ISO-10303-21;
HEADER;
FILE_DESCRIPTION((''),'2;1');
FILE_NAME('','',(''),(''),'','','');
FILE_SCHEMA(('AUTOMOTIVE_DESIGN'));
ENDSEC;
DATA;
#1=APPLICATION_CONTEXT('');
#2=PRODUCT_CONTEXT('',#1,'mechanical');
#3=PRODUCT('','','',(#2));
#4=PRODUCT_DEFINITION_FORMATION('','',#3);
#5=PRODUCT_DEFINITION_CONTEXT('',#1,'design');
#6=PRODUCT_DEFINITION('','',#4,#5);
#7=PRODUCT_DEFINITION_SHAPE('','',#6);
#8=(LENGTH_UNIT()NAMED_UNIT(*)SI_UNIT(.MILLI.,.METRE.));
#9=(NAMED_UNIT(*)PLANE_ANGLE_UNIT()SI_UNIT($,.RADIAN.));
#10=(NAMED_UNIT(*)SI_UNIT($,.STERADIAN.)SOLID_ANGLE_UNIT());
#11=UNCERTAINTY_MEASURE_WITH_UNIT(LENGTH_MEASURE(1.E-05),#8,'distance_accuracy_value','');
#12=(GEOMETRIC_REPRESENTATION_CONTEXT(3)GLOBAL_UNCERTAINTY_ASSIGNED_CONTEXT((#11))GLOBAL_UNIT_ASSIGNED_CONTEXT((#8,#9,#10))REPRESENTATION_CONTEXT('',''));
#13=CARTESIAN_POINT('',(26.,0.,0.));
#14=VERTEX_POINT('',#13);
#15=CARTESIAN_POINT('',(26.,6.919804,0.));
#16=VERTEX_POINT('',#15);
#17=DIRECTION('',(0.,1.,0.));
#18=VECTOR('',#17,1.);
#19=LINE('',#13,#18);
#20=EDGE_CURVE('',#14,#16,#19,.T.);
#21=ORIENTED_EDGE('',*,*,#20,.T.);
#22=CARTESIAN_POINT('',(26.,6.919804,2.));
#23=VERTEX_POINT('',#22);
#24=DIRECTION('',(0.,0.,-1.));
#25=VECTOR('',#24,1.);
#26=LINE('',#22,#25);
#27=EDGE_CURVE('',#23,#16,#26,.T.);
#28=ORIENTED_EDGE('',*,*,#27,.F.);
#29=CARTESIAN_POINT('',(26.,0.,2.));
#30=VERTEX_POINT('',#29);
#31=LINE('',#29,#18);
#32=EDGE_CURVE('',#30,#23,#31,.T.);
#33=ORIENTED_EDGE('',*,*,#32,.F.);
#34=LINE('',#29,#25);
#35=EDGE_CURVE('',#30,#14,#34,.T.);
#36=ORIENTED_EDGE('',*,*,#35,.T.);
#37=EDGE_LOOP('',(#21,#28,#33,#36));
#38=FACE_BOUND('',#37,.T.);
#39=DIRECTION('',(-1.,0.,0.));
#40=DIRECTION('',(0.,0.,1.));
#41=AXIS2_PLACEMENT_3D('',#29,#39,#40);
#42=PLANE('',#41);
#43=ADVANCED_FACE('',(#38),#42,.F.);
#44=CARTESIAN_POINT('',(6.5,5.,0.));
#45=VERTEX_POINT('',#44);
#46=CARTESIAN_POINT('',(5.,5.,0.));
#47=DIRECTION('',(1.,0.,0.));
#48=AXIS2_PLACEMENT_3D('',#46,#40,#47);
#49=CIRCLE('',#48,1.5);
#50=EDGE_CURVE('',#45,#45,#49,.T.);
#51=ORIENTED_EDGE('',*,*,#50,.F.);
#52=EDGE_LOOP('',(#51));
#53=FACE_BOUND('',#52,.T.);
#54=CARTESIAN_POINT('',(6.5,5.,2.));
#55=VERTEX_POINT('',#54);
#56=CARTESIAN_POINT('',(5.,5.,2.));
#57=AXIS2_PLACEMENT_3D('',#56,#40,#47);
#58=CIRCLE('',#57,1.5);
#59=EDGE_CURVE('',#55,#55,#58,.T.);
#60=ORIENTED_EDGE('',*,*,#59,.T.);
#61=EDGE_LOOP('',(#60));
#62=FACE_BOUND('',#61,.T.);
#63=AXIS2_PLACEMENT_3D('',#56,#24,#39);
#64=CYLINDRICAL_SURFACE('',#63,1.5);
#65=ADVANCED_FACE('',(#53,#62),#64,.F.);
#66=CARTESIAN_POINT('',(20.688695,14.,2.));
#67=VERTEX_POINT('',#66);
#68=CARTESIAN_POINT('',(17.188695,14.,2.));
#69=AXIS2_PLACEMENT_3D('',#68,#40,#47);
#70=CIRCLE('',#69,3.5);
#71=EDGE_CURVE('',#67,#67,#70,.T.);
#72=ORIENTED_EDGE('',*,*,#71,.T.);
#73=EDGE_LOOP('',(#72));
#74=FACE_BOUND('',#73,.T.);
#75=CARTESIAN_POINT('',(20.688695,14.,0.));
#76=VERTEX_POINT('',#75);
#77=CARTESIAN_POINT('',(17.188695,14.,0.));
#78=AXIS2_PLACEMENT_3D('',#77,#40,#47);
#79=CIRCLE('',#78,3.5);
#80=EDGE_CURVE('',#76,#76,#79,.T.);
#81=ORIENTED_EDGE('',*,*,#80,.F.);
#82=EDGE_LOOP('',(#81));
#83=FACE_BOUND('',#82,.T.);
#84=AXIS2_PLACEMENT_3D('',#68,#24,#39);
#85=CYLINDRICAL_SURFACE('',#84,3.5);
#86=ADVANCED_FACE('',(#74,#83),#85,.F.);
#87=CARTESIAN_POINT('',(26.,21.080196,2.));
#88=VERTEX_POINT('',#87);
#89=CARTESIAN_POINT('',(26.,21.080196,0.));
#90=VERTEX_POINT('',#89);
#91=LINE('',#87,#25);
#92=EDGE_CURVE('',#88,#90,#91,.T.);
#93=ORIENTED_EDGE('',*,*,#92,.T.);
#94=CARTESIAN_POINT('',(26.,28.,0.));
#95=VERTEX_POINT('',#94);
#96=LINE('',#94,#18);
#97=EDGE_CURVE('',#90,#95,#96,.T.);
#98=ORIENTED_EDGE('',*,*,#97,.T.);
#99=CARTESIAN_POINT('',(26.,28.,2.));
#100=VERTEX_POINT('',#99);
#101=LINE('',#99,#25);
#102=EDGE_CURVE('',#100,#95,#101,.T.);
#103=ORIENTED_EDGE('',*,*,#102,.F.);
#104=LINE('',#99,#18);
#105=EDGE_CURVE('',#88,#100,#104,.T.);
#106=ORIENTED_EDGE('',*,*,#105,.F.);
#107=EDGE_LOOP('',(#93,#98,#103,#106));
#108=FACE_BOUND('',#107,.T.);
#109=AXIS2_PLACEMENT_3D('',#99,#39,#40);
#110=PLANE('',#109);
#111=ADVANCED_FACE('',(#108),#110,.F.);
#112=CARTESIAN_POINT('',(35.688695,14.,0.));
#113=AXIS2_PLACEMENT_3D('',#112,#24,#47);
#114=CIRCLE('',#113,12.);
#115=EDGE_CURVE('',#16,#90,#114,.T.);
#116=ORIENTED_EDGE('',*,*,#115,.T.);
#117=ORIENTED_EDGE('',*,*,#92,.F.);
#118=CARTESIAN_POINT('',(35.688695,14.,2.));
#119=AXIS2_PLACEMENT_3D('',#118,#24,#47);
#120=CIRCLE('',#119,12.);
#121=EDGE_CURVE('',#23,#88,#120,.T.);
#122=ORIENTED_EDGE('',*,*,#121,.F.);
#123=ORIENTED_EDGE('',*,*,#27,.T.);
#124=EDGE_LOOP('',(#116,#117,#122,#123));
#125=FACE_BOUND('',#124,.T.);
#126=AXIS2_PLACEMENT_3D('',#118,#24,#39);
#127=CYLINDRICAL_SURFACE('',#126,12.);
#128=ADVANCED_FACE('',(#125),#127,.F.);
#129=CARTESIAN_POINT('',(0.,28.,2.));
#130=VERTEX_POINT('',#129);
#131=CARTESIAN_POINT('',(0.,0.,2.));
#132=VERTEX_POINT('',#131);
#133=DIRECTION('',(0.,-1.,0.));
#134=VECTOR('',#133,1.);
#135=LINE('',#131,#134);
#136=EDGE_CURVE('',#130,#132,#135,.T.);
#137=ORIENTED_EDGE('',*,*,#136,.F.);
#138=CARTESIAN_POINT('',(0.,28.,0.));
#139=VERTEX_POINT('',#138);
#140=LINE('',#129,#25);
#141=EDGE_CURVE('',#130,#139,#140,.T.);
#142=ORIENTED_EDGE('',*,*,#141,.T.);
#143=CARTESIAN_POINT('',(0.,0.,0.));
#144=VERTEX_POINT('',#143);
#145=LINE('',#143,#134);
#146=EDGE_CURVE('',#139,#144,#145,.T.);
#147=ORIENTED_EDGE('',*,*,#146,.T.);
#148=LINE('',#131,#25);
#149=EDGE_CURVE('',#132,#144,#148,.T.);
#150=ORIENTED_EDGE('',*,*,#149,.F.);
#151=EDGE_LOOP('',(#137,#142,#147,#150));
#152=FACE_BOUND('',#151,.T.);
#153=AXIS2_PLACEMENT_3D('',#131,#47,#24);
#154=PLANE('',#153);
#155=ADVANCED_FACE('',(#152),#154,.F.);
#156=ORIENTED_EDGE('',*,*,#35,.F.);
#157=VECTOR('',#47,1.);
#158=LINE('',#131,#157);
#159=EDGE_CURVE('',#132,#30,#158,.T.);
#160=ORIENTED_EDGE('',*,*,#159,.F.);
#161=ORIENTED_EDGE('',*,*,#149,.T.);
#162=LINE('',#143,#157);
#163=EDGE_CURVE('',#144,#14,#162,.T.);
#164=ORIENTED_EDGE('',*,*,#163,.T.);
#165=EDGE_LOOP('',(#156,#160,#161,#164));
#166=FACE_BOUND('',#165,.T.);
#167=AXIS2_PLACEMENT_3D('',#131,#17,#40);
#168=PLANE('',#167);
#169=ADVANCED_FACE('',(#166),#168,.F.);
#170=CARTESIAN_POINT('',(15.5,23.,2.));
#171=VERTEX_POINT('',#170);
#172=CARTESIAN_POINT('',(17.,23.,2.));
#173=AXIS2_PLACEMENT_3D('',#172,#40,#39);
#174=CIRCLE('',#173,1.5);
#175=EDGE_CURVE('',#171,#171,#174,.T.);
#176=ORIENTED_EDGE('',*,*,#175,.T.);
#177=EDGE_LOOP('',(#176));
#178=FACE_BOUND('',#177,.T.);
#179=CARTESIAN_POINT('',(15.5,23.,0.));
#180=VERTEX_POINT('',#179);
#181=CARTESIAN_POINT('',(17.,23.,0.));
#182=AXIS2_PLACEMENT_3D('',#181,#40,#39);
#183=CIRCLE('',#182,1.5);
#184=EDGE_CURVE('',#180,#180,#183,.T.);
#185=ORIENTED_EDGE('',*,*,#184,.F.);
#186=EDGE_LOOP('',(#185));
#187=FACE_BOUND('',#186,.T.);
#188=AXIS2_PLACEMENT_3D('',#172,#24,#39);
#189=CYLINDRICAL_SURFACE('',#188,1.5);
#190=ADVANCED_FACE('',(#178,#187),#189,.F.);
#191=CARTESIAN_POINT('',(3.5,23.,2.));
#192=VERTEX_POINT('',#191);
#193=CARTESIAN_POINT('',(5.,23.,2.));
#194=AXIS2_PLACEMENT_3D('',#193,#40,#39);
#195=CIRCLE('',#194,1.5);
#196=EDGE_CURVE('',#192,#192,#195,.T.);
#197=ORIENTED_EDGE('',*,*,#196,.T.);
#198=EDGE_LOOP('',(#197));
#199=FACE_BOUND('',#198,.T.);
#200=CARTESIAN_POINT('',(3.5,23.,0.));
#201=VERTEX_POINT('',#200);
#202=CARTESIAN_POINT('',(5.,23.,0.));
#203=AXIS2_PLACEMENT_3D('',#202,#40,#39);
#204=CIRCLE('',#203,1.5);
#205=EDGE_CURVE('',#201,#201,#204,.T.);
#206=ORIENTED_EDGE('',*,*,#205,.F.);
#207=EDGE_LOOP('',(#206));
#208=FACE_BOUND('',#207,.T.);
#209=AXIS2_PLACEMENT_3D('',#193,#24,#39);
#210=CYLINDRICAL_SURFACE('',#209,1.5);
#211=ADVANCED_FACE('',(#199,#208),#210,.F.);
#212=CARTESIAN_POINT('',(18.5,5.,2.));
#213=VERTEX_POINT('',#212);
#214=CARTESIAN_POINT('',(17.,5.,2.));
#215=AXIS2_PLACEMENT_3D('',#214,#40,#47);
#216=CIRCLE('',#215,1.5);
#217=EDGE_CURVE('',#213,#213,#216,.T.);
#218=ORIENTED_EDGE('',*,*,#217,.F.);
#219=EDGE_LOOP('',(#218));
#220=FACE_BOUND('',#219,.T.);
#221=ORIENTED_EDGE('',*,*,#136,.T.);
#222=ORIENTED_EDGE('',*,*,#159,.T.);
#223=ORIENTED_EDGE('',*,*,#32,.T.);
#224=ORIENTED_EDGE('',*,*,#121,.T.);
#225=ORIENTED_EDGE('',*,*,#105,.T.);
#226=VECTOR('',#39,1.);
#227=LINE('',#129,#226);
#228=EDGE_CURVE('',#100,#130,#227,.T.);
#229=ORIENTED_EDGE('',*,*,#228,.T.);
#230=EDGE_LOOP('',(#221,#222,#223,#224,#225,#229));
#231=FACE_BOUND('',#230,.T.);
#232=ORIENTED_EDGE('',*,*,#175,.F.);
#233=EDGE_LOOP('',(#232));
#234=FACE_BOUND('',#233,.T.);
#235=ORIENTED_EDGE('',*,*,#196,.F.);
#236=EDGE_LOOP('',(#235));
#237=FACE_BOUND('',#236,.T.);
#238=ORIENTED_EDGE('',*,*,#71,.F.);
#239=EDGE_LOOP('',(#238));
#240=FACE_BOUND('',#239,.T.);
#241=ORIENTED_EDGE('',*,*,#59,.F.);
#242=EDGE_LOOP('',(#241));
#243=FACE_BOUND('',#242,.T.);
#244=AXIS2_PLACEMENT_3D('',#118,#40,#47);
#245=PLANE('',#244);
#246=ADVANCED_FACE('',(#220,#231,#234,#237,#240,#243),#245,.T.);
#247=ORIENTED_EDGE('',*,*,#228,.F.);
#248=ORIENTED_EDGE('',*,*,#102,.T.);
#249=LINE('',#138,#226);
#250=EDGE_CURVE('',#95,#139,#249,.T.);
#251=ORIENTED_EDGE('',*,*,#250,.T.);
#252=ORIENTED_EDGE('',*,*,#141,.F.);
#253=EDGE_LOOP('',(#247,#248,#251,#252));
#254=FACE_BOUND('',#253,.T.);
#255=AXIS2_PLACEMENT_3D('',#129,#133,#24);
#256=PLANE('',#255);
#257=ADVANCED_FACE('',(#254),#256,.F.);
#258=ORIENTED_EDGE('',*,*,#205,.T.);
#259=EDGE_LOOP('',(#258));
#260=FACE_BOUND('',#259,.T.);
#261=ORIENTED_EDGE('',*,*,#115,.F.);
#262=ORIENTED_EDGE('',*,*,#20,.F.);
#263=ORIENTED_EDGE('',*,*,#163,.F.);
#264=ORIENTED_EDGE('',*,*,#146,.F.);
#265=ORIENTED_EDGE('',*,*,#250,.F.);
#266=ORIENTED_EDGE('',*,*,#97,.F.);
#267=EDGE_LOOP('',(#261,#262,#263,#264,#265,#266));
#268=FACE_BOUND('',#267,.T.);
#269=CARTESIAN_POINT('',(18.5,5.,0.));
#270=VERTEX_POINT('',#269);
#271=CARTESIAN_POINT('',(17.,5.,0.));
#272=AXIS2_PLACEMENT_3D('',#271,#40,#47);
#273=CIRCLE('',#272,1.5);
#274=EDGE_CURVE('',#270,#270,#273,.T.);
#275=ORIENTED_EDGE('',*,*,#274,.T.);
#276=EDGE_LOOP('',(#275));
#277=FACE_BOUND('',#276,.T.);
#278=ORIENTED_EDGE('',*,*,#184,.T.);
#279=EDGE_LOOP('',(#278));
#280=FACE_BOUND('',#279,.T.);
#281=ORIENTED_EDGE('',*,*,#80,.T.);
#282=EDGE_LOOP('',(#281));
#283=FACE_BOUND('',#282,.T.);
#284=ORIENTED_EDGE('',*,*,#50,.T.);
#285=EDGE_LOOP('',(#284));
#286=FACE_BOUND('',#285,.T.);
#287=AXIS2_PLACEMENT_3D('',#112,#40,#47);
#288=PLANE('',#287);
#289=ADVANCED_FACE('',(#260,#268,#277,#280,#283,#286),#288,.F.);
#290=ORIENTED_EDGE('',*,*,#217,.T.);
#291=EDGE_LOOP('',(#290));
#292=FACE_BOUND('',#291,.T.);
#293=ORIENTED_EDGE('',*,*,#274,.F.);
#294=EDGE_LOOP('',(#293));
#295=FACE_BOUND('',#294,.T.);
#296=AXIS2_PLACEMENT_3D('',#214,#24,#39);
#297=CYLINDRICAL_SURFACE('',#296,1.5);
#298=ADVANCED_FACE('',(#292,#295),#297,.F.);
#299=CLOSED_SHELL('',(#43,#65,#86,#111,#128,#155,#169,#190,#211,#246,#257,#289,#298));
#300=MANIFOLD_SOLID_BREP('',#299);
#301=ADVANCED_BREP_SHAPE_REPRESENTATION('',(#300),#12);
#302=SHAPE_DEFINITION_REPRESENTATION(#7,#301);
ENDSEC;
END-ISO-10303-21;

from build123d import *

# Parameters (mm, degrees)
SZKIC1_R                    = 3.5
SZKIC1_R_2                  = 1.5
DODANIE_WYCI_GNI_CIE1_DEPTH = 2


with BuildPart() as part:
    # Szkic1 → Dodanie-wyciągnięcie1 (new body)
    with BuildSketch(Plane.XY):
        with BuildLine():
            Line((0, 0), (0, 28))
            Line((0, 28), (26, 28))
            Line((26, 28), (26, 21.080196399))
            ThreePointArc((26, 21.080196399), (23.68869542, 14), (26, 6.919803601))
            Line((26, 6.919803601), (26, 0))
            Line((26, 0), (0, 0))
        make_face()
        with Locations((17.18869542, 14)):
            Circle(SZKIC1_R, mode=Mode.SUBTRACT)
        with Locations((17, 5)):
            Circle(SZKIC1_R_2, mode=Mode.SUBTRACT)
        with Locations((5, 5)):
            Circle(SZKIC1_R_2, mode=Mode.SUBTRACT)
        with Locations(Location((17, 23, 0), (0, 0, 180))):
            Circle(SZKIC1_R_2, mode=Mode.SUBTRACT)
        with Locations(Location((5, 23, 0), (0, 0, 180))):
            Circle(SZKIC1_R_2, mode=Mode.SUBTRACT)
    extrude(amount=DODANIE_WYCI_GNI_CIE1_DEPTH)


solid = part.part
